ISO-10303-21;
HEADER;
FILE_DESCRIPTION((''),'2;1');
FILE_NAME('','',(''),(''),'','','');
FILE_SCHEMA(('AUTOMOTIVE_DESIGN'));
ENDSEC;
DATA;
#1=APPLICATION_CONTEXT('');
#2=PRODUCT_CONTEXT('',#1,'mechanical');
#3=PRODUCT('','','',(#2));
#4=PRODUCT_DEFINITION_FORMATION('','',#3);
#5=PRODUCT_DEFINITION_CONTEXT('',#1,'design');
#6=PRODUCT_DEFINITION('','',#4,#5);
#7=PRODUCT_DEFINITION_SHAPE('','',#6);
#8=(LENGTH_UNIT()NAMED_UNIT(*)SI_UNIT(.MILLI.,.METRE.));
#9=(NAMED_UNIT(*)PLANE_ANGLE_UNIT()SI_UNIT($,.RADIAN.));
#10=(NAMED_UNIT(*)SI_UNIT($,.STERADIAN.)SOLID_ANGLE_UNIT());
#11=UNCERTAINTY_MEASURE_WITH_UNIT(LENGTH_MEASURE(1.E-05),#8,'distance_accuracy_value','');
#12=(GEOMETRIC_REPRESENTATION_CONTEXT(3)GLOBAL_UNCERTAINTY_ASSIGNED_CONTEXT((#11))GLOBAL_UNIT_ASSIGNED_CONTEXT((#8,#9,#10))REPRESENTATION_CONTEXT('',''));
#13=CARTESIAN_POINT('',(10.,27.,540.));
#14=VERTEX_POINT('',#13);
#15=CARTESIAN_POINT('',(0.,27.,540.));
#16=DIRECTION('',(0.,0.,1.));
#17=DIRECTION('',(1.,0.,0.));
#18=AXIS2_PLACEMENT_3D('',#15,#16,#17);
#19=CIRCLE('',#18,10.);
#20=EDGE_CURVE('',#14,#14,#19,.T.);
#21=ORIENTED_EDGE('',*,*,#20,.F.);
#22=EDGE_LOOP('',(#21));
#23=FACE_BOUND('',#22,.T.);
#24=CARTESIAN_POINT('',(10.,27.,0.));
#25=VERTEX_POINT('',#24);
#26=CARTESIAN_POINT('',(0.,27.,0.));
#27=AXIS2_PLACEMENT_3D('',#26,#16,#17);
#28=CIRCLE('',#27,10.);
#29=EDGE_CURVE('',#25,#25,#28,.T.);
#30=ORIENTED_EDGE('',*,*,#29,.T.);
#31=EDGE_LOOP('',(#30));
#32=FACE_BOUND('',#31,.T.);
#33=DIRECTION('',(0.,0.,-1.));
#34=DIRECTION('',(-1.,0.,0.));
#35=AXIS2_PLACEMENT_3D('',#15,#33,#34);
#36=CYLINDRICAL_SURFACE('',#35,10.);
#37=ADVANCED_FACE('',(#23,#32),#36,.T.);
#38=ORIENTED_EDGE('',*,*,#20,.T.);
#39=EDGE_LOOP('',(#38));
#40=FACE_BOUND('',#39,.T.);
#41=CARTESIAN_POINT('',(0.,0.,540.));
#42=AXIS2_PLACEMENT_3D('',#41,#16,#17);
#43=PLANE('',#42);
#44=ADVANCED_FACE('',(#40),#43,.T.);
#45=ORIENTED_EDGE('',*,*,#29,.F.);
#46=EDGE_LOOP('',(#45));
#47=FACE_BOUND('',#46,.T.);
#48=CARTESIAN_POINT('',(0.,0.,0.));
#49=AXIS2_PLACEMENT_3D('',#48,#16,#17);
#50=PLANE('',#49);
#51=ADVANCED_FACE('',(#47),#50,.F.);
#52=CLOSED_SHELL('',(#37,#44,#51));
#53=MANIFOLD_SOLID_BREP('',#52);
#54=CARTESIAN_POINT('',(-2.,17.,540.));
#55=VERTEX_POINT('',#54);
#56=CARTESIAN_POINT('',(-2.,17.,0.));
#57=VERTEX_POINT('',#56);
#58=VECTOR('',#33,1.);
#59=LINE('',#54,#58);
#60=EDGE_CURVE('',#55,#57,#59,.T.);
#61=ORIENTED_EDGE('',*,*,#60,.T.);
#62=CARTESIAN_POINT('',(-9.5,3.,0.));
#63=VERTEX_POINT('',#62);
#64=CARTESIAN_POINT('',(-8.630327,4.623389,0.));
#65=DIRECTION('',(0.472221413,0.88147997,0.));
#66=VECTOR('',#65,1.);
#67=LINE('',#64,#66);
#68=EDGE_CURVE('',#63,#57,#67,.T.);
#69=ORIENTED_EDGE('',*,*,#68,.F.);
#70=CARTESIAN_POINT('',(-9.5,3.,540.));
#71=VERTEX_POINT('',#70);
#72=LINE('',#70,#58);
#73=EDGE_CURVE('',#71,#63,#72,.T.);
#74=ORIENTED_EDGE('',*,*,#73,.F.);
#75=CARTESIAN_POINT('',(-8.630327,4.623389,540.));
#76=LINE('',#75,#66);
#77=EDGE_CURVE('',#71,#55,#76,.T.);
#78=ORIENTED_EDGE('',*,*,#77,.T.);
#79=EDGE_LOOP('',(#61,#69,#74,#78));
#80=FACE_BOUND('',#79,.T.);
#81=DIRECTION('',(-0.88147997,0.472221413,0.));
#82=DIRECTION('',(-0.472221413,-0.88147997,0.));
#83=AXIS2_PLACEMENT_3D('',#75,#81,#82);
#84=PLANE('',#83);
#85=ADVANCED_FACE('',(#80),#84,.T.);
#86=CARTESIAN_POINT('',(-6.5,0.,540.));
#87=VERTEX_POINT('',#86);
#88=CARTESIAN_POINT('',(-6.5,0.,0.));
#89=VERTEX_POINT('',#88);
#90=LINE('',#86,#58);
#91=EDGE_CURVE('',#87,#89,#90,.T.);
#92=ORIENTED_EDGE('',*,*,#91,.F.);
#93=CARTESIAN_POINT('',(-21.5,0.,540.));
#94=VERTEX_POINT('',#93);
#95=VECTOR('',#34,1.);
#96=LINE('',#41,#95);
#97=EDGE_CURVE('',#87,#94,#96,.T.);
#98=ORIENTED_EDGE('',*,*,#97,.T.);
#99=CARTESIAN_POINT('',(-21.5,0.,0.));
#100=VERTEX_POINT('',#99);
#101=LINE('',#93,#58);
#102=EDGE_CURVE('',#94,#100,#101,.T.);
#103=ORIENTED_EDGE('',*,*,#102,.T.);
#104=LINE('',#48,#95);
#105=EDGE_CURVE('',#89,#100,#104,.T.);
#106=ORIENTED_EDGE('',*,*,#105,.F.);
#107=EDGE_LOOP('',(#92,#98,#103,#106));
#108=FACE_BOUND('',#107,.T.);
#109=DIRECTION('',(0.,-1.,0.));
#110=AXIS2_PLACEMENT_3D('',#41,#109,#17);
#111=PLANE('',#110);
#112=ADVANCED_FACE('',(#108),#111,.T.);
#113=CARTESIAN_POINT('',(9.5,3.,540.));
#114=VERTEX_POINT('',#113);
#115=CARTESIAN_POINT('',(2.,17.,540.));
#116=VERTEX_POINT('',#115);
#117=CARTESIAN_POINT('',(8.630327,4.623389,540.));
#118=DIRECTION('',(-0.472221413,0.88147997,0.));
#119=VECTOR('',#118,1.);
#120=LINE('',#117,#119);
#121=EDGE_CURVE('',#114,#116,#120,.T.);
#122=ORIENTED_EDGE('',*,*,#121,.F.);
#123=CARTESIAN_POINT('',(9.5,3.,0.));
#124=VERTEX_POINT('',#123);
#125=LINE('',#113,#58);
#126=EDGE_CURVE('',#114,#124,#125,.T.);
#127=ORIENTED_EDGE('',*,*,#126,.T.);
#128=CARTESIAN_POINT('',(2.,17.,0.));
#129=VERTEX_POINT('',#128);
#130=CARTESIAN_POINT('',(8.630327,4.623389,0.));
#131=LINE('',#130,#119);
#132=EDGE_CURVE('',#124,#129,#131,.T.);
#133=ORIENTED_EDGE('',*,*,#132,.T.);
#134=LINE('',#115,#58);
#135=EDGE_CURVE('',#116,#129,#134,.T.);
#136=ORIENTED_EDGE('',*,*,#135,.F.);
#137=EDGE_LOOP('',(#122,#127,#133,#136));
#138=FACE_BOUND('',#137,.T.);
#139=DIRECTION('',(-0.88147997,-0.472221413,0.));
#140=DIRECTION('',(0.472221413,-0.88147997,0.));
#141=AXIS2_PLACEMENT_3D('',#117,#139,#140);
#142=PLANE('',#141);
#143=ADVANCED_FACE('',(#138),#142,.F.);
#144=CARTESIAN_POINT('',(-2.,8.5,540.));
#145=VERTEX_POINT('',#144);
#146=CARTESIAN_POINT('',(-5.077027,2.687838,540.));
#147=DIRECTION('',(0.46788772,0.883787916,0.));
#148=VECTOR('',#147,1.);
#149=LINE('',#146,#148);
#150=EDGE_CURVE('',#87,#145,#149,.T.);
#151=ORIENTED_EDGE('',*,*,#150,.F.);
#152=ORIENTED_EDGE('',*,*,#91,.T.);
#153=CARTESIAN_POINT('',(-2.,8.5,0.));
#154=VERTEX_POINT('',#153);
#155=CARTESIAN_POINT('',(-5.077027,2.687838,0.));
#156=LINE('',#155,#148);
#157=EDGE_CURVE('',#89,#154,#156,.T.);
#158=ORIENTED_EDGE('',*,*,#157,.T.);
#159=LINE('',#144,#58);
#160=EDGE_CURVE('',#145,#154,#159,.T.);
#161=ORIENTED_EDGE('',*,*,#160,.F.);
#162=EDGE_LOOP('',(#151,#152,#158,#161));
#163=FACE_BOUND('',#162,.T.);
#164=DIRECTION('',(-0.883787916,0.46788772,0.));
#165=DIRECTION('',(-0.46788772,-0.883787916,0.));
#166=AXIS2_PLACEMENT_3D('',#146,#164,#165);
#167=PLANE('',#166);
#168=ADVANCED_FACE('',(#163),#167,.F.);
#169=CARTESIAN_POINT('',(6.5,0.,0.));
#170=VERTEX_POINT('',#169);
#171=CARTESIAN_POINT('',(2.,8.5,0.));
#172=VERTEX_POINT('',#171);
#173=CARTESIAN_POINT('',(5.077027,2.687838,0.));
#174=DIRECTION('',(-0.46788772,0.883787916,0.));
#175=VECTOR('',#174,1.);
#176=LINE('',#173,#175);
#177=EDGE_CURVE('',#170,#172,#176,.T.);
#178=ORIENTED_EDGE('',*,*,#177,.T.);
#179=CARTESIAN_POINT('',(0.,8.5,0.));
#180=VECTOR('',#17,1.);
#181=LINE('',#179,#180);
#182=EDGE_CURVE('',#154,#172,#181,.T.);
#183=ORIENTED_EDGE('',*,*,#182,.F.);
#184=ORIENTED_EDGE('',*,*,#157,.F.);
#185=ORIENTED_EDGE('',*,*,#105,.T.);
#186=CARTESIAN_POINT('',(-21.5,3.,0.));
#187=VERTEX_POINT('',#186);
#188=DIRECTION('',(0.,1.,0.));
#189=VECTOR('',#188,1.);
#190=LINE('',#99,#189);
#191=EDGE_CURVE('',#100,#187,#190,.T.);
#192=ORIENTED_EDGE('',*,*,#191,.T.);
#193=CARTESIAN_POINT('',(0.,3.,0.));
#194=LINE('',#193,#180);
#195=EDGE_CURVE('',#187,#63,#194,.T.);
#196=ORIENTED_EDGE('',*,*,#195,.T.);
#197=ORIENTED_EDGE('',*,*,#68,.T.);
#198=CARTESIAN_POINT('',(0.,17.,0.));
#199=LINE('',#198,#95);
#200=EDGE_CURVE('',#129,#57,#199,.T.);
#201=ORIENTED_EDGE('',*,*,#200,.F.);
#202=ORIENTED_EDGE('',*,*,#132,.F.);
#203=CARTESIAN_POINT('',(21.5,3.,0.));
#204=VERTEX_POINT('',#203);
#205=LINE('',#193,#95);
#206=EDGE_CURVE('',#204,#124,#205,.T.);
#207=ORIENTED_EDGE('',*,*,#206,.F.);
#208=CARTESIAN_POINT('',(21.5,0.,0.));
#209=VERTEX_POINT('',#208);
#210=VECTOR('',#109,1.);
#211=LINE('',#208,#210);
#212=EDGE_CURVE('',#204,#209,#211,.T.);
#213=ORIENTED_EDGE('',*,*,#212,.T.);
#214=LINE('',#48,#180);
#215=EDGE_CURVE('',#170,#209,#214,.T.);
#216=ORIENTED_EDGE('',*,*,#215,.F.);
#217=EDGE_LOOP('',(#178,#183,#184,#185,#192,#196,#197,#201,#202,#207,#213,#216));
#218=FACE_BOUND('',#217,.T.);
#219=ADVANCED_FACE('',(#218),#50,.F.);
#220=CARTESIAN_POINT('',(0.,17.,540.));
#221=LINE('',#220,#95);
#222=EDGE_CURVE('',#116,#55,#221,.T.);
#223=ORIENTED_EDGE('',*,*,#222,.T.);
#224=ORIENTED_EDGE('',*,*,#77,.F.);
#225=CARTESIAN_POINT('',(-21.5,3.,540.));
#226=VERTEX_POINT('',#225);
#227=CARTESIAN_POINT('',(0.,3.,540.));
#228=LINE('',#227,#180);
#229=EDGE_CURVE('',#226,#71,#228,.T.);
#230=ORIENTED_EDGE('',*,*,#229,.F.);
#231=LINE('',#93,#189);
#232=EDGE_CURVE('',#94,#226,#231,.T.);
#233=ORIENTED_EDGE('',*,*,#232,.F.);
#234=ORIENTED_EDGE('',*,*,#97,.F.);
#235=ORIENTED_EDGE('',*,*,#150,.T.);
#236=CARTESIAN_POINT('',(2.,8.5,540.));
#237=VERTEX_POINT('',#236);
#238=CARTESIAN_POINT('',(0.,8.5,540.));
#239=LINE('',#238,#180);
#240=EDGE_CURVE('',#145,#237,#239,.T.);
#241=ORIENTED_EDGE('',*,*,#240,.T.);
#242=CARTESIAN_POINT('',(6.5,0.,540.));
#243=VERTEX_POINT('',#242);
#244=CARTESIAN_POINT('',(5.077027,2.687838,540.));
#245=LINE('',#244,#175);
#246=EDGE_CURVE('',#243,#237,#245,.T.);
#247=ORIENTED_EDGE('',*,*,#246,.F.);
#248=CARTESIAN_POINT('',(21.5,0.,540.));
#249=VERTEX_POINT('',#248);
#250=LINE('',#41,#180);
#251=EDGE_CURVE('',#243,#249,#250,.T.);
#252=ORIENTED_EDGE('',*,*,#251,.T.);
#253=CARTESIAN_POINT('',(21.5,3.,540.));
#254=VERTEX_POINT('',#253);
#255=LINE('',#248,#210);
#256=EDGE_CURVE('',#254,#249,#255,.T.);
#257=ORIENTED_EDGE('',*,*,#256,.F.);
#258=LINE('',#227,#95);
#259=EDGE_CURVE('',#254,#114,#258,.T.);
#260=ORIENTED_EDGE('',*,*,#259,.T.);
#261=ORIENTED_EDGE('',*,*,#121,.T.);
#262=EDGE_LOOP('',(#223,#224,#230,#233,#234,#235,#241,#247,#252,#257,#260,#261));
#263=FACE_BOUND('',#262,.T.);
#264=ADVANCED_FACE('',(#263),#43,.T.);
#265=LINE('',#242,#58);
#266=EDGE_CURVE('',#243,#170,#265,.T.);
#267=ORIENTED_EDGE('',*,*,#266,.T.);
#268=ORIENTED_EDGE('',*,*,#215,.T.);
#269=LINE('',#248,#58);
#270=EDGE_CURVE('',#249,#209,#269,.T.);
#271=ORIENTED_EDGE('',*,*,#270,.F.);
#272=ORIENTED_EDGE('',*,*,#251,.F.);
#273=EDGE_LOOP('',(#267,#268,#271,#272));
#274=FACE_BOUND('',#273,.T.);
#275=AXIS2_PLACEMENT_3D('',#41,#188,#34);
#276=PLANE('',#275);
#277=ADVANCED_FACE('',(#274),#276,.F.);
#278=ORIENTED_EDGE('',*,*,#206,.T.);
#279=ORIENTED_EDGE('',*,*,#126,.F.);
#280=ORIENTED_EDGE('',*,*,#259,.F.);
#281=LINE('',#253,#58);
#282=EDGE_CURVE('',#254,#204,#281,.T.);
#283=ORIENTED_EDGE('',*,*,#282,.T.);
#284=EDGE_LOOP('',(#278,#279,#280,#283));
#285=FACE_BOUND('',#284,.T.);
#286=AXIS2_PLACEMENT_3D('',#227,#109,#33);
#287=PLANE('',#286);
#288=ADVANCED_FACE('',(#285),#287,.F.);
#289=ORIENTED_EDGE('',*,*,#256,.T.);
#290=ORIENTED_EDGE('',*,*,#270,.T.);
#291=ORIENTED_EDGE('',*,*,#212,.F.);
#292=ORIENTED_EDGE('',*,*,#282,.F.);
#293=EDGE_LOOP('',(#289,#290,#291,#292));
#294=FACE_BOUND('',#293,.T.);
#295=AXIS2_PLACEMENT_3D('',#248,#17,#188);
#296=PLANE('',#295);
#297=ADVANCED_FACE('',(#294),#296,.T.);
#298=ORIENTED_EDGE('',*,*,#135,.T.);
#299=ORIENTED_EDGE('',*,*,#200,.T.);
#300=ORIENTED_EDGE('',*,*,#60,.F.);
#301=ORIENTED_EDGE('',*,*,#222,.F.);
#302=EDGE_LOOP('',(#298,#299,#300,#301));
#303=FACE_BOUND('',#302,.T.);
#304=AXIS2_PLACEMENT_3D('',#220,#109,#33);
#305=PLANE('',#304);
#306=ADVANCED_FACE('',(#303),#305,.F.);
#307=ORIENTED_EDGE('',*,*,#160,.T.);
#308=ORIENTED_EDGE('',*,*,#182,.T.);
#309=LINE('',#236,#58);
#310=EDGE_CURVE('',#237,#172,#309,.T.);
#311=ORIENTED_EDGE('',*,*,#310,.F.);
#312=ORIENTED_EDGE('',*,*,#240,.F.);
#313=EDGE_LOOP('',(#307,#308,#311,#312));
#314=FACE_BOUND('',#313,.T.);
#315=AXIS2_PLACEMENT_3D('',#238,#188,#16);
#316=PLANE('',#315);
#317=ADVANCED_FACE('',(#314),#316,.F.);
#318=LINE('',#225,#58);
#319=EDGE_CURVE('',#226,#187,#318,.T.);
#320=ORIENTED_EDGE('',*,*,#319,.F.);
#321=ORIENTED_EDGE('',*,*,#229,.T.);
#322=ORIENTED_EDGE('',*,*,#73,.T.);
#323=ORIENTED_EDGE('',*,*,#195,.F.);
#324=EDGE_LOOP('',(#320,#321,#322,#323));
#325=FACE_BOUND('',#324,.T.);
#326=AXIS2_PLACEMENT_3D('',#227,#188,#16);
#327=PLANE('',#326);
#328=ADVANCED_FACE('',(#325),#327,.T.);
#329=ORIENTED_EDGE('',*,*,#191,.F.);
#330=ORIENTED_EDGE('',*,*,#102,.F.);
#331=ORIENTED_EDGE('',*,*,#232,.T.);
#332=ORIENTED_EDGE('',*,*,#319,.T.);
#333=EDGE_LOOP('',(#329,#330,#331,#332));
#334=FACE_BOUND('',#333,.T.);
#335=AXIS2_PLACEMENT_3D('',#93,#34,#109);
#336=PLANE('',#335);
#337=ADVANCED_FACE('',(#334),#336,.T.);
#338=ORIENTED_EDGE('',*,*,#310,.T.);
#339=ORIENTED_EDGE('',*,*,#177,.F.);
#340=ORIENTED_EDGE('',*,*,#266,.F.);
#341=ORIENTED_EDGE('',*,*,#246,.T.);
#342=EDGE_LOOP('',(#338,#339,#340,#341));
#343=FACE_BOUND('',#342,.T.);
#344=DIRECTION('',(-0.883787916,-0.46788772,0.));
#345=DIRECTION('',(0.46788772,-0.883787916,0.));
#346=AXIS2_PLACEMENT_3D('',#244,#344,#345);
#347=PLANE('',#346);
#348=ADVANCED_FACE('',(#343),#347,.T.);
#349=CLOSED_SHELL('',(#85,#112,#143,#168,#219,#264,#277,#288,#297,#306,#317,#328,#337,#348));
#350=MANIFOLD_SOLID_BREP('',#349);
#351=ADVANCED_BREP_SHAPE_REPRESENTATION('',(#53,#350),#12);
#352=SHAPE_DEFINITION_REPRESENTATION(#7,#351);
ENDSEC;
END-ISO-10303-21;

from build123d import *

# Parameters (mm, degrees)
CROQUIS1_R                = 10
SALIENTE_EXTRUIR1_DEPTH   = 540
SALIENTE_EXTRUIR1_2_DEPTH = 540


with BuildPart() as part:
    # Croquis1 → Saliente-Extruir1 (new body)
    with BuildSketch(Plane.XY):
        with Locations((0, 27)):
            Circle(CROQUIS1_R)
    extrude(amount=SALIENTE_EXTRUIR1_DEPTH)


with BuildPart() as body_2:
    # Croquis1 → Saliente-Extruir1 2 (new body)
    with BuildSketch(Plane.XY):
        Polygon((-6.5, 0), (-21.5, 0), (-21.5, 3), (-9.5, 3), (-2, 17), (2, 17), (9.5, 3), (21.5, 3), (21.5, 0), (6.5, 0), (2, 8.5), (-2, 8.5), align=None)
    extrude(amount=SALIENTE_EXTRUIR1_2_DEPTH)


solid = Compound([part.part, body_2.part])
